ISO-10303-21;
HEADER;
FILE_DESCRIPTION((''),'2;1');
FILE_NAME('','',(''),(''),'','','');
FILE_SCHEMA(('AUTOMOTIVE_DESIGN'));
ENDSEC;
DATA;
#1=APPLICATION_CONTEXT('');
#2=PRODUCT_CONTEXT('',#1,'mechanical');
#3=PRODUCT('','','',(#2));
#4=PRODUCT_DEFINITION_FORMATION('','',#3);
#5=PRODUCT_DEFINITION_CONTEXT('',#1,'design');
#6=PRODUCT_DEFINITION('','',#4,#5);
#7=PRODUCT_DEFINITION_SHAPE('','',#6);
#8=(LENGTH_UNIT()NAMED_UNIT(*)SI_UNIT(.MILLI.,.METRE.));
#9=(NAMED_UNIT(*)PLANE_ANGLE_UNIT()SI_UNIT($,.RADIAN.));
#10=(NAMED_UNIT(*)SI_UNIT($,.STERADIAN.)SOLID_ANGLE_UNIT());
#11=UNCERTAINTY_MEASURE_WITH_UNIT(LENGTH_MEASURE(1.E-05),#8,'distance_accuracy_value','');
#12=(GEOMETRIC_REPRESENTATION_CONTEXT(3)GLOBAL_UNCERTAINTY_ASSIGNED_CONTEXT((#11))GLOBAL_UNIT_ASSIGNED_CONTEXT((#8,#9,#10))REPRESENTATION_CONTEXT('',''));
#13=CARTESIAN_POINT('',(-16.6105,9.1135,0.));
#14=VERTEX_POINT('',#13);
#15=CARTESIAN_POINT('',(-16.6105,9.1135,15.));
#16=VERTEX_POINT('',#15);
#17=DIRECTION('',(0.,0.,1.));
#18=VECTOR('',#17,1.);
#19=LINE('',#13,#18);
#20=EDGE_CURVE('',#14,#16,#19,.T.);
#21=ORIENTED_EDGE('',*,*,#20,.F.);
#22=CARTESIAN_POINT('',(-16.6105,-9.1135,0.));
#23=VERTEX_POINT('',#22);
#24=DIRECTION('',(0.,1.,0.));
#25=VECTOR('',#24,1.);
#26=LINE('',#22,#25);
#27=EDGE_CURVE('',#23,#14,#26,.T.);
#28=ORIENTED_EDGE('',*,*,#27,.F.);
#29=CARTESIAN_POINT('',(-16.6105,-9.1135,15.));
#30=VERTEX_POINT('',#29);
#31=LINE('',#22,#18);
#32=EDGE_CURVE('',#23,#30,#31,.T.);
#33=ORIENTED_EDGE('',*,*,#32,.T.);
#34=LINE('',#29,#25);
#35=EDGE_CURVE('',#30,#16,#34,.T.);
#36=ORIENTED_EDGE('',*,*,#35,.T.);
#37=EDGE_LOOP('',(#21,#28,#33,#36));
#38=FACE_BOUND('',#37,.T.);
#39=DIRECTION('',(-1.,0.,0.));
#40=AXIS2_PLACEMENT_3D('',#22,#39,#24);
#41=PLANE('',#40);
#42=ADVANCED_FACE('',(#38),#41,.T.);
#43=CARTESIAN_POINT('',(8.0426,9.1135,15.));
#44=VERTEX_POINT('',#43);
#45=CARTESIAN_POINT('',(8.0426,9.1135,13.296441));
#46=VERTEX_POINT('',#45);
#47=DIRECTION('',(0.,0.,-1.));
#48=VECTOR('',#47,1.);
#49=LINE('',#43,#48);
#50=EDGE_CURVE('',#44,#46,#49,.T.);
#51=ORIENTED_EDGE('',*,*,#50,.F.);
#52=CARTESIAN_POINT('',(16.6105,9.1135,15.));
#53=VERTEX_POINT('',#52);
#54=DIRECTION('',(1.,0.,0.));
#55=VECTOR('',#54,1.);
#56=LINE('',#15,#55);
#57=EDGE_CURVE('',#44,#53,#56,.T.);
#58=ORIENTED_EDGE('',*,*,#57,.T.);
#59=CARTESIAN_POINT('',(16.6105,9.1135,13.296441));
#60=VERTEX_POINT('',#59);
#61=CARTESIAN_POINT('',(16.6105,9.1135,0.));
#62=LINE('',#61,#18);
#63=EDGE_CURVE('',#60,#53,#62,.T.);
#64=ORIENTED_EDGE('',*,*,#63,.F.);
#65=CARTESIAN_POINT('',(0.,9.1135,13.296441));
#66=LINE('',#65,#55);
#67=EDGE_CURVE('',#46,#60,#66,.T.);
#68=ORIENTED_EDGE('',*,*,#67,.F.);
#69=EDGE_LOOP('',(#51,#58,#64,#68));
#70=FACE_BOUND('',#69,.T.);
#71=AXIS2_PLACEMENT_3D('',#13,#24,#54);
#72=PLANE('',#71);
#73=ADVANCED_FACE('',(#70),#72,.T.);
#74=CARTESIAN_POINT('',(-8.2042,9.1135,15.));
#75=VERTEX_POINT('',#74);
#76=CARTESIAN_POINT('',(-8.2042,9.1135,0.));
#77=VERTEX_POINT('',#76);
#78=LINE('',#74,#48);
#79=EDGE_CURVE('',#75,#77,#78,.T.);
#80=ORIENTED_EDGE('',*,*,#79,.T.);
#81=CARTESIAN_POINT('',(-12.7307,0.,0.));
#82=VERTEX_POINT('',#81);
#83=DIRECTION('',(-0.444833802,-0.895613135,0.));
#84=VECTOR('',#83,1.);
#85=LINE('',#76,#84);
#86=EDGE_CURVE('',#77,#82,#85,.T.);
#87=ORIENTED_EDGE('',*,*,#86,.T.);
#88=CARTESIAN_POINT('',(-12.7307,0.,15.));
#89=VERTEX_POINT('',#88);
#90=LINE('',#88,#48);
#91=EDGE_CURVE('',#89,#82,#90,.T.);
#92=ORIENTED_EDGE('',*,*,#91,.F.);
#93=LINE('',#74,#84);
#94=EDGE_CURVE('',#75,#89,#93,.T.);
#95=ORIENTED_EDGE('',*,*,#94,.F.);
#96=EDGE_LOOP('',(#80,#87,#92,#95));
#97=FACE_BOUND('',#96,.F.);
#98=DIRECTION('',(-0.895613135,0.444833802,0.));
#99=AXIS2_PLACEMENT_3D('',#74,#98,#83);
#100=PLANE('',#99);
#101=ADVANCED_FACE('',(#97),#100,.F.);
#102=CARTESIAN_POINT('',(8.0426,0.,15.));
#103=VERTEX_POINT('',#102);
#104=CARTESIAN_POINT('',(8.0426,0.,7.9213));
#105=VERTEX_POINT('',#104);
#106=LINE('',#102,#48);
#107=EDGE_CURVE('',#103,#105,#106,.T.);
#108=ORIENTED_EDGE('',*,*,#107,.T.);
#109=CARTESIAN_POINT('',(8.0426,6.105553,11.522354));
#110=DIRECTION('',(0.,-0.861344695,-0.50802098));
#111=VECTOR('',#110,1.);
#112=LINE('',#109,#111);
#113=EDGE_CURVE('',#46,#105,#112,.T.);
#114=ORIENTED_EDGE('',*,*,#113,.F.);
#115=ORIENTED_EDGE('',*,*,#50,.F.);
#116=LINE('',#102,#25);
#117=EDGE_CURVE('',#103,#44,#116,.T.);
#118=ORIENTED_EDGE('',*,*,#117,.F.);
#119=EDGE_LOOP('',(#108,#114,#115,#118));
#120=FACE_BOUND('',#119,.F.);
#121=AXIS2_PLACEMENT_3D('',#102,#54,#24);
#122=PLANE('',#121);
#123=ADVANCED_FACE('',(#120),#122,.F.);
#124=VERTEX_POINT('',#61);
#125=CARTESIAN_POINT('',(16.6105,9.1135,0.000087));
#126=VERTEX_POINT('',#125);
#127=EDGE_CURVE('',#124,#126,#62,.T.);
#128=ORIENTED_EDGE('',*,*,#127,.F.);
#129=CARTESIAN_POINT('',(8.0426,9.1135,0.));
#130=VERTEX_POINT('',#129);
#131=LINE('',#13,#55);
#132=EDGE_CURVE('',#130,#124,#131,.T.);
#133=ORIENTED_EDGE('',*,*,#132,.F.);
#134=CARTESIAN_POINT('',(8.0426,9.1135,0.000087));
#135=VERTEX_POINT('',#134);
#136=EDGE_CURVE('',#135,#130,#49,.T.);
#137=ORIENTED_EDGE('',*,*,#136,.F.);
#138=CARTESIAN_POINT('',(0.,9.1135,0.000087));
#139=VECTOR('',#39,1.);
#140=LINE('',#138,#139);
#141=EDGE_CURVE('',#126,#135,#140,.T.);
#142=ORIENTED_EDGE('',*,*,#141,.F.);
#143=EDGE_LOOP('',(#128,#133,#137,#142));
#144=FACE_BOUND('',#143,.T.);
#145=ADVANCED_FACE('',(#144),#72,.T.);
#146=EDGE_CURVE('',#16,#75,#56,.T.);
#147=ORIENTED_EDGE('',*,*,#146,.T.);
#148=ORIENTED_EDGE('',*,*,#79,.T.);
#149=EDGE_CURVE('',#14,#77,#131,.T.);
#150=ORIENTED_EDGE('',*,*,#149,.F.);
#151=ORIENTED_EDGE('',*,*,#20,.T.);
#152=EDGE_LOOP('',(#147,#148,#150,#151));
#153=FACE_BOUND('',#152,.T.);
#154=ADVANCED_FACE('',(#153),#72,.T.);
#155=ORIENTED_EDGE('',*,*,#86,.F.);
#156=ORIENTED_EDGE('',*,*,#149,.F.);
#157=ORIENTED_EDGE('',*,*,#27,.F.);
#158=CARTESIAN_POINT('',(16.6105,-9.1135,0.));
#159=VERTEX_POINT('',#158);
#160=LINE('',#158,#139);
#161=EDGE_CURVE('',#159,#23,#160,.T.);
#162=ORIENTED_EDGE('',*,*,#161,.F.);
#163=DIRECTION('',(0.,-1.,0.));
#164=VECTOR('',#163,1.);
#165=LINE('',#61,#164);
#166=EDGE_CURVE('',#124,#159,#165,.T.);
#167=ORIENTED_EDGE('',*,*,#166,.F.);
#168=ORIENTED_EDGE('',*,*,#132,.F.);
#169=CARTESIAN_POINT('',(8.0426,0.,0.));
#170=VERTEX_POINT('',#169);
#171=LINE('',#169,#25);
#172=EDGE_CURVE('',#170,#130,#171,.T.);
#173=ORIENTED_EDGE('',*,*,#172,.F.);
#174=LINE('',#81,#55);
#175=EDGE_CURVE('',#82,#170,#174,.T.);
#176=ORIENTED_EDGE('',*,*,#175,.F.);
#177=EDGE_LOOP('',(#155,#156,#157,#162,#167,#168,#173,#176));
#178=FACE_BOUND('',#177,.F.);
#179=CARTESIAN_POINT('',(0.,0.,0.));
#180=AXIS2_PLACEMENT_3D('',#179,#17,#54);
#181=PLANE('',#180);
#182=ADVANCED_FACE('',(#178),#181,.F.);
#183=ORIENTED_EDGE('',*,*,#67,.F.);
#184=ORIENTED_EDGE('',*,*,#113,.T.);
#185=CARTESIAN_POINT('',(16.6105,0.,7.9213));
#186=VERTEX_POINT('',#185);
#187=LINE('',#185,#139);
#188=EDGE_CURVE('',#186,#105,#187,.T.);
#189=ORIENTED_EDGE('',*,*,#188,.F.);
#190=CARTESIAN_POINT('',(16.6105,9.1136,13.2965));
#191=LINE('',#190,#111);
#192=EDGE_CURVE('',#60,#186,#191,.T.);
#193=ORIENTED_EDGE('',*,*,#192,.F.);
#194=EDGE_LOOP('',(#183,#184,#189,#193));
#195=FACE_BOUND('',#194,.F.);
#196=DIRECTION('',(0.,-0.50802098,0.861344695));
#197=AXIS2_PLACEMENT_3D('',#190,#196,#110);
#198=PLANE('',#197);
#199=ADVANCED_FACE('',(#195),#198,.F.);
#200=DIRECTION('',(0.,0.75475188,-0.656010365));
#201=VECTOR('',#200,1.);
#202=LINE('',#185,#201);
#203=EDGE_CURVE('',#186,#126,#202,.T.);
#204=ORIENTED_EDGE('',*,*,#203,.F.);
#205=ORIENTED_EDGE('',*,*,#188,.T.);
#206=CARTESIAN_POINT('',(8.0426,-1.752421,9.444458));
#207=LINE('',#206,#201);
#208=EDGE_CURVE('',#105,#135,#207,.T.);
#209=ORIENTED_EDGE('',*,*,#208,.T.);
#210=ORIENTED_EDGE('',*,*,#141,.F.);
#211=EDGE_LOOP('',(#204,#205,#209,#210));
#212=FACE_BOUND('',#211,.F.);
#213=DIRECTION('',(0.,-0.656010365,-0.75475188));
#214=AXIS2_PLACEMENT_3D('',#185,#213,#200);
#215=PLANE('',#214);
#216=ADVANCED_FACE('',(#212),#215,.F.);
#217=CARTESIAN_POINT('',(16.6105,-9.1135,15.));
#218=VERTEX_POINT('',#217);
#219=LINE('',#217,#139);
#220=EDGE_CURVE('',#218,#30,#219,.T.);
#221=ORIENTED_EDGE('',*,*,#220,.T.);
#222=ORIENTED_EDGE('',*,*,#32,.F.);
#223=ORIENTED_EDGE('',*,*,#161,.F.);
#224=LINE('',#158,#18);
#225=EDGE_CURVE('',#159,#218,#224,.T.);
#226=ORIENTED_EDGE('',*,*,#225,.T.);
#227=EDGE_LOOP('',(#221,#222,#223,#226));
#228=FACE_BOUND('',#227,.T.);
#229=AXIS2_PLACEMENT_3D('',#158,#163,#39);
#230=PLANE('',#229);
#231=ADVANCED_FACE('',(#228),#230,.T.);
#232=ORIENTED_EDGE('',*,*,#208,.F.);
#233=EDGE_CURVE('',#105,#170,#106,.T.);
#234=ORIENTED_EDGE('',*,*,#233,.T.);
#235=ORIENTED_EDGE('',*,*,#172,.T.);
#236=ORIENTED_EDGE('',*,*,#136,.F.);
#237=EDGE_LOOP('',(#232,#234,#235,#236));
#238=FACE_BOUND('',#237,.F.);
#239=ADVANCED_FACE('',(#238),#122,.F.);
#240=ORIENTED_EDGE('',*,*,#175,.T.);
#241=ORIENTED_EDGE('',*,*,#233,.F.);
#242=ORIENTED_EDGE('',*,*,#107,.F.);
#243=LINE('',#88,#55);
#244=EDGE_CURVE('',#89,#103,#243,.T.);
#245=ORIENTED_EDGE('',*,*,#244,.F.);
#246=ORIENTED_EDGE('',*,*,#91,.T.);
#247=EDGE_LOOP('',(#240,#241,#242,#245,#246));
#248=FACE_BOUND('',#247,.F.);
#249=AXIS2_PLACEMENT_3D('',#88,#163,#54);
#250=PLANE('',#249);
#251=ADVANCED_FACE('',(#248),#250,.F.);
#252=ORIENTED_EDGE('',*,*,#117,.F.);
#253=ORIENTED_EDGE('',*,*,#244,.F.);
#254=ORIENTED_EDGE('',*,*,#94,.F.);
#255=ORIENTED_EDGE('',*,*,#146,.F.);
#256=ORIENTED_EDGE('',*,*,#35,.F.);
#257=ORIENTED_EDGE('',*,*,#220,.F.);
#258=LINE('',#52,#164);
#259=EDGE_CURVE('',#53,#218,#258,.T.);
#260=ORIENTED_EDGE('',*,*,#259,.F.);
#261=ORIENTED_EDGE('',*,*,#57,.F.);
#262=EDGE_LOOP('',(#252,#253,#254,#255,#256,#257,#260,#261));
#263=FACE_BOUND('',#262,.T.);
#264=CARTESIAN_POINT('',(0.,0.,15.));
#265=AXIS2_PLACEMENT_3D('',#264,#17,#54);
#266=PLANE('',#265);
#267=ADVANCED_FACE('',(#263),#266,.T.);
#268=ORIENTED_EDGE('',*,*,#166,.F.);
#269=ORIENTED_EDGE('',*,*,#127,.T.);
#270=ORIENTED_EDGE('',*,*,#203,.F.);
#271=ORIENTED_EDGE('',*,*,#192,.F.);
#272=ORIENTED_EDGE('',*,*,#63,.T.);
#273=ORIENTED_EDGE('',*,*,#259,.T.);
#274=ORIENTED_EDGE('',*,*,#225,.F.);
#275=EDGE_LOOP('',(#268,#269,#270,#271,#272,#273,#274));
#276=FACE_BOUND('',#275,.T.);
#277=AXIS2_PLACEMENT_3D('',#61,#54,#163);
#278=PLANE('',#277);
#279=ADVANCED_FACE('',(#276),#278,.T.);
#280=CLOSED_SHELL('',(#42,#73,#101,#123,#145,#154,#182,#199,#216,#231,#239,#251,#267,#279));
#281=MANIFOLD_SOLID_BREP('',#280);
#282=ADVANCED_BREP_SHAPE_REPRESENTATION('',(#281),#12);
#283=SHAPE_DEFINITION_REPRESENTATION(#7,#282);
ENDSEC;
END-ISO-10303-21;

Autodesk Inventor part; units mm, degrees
ref_plane "YZ Plane" through (0, 0, 0) normal (1, 0, 0) x (0, 1, 0)
ref_plane "XZ Plane" through (0, 0, 0) normal (0, 1, 0) x (-1, 0, 0)
ref_plane "XY Plane" through (0, 0, 0) normal (0, 0, 1) x (1, 0, 0)
sketch "스케치1" plane through (0, 0, 0) normal (0, 0, 1) x (1, 0, 0)
  line L0 (16.6105, -9.1135) -> (-16.6105, -9.1135)
  line L1 (-16.6105, -9.1135) -> (-16.6105, 9.1135)
  line L2 (-16.6105, 9.1135) -> (16.6105, 9.1135)
  line L3 (16.6105, 9.1135) -> (16.6105, -9.1135)
  line L4 (16.6105, -9.1135) -> (-16.6105, 9.1135) construction
  line L5 (-16.6105, -9.1135) -> (16.6105, 9.1135) construction
  point P0 (0, 0)
extrude "돌출1" add sketch "스케치1" along normal blind 15
sketch "스케치2" plane through (0, 0, 15) normal (0, 0, 1) x (1, 0, 0)
  line L0 (16.6105, 9.1135) -> (-16.6105, 9.1135) projected
  line L1 (-8.2042, 9.1135) -> (-12.7307, 0)
  line L2 (-12.7307, 0) -> (8.0426, 0)
  line L3 (8.0426, 0) -> (8.0426, 9.1135)
  point P0 (0, 0)
extrude "돌출2" cut sketch "스케치2" against normal blind 15
sketch "스케치3" plane through (16.6105, -9.1135, 0) normal (1, 0, 0) x (0, 0, -1)
  line L0 (0, 18.2271) -> (-15, 18.2271) projected
  line L1 (-13.2965, 18.2271) -> (-7.9213, 9.1135)
  line L2 (-15, 9.1135) -> (0, 9.1135) projected
  line L3 (-7.9213, 9.1135) -> (0, 18.2271)
extrude "돌출3" cut sketch "스케치3" against normal blind 15
properties part number "240503_3Dsketch09"
